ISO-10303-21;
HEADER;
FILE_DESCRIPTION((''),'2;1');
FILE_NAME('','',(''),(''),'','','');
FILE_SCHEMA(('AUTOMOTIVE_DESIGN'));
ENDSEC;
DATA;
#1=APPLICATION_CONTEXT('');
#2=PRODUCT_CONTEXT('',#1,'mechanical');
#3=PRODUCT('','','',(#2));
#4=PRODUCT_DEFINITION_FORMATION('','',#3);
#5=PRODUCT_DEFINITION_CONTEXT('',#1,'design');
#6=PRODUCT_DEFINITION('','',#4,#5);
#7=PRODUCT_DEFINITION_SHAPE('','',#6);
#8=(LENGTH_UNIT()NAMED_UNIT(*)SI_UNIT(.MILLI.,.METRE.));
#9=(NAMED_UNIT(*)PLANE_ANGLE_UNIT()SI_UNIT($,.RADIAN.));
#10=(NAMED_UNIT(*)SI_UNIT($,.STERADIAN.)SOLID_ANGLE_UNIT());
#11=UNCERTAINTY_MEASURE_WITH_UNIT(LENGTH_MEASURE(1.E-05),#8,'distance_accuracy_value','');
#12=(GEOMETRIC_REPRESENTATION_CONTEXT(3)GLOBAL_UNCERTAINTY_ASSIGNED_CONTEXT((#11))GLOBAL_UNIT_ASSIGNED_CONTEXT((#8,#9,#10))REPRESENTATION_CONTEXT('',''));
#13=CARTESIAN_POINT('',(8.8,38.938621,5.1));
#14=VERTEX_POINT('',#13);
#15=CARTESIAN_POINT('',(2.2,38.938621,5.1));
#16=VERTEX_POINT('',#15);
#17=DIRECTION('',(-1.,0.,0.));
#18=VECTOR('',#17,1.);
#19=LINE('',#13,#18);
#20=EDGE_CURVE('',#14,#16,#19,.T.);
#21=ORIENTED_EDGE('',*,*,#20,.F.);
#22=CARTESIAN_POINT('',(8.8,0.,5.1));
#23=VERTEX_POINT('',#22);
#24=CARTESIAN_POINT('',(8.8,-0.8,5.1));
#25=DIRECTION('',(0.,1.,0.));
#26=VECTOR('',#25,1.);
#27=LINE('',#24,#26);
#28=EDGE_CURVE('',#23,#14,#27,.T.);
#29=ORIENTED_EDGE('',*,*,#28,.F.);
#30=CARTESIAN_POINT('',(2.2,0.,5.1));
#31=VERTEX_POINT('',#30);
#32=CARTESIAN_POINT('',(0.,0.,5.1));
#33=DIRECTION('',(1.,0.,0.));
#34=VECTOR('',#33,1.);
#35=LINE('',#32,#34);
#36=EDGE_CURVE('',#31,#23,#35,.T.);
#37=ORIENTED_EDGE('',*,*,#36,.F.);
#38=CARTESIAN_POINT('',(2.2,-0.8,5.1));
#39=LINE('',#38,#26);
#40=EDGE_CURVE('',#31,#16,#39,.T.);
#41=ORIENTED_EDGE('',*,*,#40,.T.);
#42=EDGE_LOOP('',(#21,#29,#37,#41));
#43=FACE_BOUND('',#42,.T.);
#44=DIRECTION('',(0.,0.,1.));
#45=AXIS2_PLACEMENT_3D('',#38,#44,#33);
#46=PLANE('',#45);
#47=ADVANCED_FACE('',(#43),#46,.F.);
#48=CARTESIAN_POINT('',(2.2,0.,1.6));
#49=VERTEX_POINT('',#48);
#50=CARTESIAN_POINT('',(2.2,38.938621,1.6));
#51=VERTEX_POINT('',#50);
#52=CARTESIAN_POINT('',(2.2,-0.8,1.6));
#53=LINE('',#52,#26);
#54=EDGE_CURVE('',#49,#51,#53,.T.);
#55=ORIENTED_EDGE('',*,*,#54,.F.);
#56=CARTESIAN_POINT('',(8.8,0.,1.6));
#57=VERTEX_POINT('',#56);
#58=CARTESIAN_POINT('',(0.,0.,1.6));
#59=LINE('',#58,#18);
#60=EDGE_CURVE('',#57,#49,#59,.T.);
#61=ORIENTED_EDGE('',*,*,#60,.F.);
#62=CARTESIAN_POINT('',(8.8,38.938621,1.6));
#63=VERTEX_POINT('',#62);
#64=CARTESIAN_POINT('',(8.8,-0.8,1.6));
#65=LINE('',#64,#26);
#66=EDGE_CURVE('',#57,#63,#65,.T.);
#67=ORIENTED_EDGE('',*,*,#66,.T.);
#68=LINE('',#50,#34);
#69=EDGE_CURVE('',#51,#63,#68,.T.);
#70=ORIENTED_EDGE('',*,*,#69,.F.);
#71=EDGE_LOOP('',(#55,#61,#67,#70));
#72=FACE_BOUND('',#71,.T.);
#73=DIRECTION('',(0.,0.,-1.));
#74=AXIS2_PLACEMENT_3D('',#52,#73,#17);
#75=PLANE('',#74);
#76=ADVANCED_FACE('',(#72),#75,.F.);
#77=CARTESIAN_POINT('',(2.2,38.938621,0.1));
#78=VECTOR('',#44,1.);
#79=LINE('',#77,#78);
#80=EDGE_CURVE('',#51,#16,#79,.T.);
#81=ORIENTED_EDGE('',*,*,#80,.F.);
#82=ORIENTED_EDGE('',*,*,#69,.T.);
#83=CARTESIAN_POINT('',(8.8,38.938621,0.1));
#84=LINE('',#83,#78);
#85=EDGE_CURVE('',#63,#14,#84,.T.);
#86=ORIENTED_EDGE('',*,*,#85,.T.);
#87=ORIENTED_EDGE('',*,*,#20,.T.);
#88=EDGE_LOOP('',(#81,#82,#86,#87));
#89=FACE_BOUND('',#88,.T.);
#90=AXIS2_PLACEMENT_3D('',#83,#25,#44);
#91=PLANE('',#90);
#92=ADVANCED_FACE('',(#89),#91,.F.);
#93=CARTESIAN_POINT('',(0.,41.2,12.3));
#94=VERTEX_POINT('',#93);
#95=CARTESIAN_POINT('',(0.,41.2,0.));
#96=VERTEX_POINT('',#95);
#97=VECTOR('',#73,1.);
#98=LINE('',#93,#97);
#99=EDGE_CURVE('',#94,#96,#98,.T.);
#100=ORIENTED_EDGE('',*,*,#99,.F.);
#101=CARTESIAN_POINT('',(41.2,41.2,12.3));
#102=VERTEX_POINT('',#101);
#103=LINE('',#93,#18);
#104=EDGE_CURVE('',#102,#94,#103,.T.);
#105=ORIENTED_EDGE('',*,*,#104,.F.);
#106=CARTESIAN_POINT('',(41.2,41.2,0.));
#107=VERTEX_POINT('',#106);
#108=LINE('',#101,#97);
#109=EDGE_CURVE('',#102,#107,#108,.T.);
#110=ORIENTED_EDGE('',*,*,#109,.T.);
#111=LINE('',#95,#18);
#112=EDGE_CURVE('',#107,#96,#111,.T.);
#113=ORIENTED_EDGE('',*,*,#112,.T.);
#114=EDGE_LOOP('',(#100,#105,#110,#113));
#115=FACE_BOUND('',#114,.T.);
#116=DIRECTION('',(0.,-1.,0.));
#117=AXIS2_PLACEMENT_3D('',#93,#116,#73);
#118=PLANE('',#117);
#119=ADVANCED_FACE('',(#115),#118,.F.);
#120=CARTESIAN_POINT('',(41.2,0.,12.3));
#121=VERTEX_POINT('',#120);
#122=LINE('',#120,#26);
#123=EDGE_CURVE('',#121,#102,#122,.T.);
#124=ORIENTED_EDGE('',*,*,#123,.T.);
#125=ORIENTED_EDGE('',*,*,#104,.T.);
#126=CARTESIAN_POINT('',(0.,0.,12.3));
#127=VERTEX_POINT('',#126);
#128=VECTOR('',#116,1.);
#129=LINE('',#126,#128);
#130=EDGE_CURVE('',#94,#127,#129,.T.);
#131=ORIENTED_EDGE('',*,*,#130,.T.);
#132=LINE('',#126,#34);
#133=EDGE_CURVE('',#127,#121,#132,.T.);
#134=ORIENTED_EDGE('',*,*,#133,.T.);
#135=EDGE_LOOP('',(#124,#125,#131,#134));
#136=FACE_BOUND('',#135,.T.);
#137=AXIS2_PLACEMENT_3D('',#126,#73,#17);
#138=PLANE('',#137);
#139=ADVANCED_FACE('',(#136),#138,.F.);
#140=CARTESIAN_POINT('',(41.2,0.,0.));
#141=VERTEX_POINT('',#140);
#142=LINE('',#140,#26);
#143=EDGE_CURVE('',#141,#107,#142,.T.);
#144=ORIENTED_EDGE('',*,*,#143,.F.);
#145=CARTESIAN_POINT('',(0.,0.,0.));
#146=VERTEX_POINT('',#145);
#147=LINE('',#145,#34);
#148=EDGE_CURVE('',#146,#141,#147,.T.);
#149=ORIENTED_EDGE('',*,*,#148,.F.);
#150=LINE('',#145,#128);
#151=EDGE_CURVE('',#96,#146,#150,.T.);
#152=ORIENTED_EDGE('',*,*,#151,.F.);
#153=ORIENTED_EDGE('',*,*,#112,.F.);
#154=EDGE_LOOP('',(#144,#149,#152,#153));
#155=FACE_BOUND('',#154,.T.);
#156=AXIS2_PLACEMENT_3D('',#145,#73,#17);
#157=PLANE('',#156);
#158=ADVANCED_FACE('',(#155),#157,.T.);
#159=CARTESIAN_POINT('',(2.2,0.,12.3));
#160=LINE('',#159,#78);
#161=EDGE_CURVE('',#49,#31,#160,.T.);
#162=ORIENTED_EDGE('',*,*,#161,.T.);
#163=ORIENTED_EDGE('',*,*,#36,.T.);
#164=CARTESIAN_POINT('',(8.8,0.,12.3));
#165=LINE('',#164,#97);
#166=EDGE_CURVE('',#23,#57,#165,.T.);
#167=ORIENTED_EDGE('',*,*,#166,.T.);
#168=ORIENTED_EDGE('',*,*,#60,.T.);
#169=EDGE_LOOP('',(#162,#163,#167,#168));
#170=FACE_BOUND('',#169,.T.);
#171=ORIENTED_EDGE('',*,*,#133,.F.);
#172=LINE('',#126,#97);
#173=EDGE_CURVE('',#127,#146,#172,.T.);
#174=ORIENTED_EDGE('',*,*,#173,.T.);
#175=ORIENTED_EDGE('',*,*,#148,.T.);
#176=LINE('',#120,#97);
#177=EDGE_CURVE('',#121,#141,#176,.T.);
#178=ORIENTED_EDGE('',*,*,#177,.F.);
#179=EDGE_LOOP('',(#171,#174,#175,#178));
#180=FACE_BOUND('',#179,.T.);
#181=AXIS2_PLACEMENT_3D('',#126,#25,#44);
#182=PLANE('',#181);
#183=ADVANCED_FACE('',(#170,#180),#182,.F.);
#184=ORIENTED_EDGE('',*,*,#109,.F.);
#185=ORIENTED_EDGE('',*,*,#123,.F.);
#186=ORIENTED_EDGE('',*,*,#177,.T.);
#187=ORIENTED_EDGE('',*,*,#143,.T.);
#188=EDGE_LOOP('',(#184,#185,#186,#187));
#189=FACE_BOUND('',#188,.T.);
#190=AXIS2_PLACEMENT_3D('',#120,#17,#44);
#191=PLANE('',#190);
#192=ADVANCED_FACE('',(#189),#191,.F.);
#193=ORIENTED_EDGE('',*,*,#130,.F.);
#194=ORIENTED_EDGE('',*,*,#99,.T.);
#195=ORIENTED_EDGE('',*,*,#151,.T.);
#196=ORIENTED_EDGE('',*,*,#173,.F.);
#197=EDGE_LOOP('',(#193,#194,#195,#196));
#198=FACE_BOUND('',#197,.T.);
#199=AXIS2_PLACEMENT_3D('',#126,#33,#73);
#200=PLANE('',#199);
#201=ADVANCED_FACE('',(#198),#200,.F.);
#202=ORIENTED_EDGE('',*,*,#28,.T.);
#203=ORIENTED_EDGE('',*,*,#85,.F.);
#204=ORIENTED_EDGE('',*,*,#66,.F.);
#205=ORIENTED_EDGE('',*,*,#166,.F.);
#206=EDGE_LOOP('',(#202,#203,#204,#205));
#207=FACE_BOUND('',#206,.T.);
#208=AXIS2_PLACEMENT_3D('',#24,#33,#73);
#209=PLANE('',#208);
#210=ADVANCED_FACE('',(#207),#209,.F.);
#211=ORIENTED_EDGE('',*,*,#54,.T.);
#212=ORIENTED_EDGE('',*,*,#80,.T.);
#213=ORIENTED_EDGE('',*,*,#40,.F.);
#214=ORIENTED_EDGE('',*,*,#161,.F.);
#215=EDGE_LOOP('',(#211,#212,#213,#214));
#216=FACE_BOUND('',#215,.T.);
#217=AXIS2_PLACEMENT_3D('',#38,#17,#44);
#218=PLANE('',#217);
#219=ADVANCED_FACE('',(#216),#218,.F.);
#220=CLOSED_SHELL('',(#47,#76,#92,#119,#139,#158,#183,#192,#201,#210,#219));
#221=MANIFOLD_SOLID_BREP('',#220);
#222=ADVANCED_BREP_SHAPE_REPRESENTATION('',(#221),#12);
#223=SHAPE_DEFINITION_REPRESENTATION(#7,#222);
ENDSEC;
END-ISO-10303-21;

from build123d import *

# Parameters (mm, degrees)
SCHIZZO1_W                   = 41.2
SCHIZZO1_H                   = 41.2
ESTRUSIONE_ESTRUSIONE1_DEPTH = 12.3
SCHIZZO2_W                   = 6.6
SCHIZZO2_H                   = 3.5
TAGLIO_ESTRUSIONE1_DEPTH     = 42
SCHIZZO3_W                   = 6.6
SCHIZZO3_H                   = 2.261378951
ESTRUSIONE_ESTRUSIONE2_DEPTH = 5


with BuildPart() as part:
    # Schizzo1 → Estrusione-Estrusione1 (new body)
    with BuildSketch(Plane.XY):
        with Locations((20.6, 20.6)):
            Rectangle(SCHIZZO1_W, SCHIZZO1_H)
    extrude(amount=ESTRUSIONE_ESTRUSIONE1_DEPTH)

    # Schizzo2 → Taglio-Estrusione1 (cut)
    with BuildSketch(Plane(origin=(0, 41.2, 0), x_dir=(1, 0, 0), z_dir=(0, 1, 0))):
        with Locations((5.5, -3.35)):
            Rectangle(SCHIZZO2_W, SCHIZZO2_H)
    extrude(amount=-TAGLIO_ESTRUSIONE1_DEPTH, mode=Mode.SUBTRACT)

    # Schizzo3 → Estrusione-Estrusione2 (add)
    with BuildSketch(Plane(origin=(0, 0, 5.1), x_dir=(-1, 0, 0), z_dir=(0, 0, -1))):
        with Locations((-5.5, 40.069310525)):
            Rectangle(SCHIZZO3_W, SCHIZZO3_H)
    extrude(amount=ESTRUSIONE_ESTRUSIONE2_DEPTH)


solid = part.part
